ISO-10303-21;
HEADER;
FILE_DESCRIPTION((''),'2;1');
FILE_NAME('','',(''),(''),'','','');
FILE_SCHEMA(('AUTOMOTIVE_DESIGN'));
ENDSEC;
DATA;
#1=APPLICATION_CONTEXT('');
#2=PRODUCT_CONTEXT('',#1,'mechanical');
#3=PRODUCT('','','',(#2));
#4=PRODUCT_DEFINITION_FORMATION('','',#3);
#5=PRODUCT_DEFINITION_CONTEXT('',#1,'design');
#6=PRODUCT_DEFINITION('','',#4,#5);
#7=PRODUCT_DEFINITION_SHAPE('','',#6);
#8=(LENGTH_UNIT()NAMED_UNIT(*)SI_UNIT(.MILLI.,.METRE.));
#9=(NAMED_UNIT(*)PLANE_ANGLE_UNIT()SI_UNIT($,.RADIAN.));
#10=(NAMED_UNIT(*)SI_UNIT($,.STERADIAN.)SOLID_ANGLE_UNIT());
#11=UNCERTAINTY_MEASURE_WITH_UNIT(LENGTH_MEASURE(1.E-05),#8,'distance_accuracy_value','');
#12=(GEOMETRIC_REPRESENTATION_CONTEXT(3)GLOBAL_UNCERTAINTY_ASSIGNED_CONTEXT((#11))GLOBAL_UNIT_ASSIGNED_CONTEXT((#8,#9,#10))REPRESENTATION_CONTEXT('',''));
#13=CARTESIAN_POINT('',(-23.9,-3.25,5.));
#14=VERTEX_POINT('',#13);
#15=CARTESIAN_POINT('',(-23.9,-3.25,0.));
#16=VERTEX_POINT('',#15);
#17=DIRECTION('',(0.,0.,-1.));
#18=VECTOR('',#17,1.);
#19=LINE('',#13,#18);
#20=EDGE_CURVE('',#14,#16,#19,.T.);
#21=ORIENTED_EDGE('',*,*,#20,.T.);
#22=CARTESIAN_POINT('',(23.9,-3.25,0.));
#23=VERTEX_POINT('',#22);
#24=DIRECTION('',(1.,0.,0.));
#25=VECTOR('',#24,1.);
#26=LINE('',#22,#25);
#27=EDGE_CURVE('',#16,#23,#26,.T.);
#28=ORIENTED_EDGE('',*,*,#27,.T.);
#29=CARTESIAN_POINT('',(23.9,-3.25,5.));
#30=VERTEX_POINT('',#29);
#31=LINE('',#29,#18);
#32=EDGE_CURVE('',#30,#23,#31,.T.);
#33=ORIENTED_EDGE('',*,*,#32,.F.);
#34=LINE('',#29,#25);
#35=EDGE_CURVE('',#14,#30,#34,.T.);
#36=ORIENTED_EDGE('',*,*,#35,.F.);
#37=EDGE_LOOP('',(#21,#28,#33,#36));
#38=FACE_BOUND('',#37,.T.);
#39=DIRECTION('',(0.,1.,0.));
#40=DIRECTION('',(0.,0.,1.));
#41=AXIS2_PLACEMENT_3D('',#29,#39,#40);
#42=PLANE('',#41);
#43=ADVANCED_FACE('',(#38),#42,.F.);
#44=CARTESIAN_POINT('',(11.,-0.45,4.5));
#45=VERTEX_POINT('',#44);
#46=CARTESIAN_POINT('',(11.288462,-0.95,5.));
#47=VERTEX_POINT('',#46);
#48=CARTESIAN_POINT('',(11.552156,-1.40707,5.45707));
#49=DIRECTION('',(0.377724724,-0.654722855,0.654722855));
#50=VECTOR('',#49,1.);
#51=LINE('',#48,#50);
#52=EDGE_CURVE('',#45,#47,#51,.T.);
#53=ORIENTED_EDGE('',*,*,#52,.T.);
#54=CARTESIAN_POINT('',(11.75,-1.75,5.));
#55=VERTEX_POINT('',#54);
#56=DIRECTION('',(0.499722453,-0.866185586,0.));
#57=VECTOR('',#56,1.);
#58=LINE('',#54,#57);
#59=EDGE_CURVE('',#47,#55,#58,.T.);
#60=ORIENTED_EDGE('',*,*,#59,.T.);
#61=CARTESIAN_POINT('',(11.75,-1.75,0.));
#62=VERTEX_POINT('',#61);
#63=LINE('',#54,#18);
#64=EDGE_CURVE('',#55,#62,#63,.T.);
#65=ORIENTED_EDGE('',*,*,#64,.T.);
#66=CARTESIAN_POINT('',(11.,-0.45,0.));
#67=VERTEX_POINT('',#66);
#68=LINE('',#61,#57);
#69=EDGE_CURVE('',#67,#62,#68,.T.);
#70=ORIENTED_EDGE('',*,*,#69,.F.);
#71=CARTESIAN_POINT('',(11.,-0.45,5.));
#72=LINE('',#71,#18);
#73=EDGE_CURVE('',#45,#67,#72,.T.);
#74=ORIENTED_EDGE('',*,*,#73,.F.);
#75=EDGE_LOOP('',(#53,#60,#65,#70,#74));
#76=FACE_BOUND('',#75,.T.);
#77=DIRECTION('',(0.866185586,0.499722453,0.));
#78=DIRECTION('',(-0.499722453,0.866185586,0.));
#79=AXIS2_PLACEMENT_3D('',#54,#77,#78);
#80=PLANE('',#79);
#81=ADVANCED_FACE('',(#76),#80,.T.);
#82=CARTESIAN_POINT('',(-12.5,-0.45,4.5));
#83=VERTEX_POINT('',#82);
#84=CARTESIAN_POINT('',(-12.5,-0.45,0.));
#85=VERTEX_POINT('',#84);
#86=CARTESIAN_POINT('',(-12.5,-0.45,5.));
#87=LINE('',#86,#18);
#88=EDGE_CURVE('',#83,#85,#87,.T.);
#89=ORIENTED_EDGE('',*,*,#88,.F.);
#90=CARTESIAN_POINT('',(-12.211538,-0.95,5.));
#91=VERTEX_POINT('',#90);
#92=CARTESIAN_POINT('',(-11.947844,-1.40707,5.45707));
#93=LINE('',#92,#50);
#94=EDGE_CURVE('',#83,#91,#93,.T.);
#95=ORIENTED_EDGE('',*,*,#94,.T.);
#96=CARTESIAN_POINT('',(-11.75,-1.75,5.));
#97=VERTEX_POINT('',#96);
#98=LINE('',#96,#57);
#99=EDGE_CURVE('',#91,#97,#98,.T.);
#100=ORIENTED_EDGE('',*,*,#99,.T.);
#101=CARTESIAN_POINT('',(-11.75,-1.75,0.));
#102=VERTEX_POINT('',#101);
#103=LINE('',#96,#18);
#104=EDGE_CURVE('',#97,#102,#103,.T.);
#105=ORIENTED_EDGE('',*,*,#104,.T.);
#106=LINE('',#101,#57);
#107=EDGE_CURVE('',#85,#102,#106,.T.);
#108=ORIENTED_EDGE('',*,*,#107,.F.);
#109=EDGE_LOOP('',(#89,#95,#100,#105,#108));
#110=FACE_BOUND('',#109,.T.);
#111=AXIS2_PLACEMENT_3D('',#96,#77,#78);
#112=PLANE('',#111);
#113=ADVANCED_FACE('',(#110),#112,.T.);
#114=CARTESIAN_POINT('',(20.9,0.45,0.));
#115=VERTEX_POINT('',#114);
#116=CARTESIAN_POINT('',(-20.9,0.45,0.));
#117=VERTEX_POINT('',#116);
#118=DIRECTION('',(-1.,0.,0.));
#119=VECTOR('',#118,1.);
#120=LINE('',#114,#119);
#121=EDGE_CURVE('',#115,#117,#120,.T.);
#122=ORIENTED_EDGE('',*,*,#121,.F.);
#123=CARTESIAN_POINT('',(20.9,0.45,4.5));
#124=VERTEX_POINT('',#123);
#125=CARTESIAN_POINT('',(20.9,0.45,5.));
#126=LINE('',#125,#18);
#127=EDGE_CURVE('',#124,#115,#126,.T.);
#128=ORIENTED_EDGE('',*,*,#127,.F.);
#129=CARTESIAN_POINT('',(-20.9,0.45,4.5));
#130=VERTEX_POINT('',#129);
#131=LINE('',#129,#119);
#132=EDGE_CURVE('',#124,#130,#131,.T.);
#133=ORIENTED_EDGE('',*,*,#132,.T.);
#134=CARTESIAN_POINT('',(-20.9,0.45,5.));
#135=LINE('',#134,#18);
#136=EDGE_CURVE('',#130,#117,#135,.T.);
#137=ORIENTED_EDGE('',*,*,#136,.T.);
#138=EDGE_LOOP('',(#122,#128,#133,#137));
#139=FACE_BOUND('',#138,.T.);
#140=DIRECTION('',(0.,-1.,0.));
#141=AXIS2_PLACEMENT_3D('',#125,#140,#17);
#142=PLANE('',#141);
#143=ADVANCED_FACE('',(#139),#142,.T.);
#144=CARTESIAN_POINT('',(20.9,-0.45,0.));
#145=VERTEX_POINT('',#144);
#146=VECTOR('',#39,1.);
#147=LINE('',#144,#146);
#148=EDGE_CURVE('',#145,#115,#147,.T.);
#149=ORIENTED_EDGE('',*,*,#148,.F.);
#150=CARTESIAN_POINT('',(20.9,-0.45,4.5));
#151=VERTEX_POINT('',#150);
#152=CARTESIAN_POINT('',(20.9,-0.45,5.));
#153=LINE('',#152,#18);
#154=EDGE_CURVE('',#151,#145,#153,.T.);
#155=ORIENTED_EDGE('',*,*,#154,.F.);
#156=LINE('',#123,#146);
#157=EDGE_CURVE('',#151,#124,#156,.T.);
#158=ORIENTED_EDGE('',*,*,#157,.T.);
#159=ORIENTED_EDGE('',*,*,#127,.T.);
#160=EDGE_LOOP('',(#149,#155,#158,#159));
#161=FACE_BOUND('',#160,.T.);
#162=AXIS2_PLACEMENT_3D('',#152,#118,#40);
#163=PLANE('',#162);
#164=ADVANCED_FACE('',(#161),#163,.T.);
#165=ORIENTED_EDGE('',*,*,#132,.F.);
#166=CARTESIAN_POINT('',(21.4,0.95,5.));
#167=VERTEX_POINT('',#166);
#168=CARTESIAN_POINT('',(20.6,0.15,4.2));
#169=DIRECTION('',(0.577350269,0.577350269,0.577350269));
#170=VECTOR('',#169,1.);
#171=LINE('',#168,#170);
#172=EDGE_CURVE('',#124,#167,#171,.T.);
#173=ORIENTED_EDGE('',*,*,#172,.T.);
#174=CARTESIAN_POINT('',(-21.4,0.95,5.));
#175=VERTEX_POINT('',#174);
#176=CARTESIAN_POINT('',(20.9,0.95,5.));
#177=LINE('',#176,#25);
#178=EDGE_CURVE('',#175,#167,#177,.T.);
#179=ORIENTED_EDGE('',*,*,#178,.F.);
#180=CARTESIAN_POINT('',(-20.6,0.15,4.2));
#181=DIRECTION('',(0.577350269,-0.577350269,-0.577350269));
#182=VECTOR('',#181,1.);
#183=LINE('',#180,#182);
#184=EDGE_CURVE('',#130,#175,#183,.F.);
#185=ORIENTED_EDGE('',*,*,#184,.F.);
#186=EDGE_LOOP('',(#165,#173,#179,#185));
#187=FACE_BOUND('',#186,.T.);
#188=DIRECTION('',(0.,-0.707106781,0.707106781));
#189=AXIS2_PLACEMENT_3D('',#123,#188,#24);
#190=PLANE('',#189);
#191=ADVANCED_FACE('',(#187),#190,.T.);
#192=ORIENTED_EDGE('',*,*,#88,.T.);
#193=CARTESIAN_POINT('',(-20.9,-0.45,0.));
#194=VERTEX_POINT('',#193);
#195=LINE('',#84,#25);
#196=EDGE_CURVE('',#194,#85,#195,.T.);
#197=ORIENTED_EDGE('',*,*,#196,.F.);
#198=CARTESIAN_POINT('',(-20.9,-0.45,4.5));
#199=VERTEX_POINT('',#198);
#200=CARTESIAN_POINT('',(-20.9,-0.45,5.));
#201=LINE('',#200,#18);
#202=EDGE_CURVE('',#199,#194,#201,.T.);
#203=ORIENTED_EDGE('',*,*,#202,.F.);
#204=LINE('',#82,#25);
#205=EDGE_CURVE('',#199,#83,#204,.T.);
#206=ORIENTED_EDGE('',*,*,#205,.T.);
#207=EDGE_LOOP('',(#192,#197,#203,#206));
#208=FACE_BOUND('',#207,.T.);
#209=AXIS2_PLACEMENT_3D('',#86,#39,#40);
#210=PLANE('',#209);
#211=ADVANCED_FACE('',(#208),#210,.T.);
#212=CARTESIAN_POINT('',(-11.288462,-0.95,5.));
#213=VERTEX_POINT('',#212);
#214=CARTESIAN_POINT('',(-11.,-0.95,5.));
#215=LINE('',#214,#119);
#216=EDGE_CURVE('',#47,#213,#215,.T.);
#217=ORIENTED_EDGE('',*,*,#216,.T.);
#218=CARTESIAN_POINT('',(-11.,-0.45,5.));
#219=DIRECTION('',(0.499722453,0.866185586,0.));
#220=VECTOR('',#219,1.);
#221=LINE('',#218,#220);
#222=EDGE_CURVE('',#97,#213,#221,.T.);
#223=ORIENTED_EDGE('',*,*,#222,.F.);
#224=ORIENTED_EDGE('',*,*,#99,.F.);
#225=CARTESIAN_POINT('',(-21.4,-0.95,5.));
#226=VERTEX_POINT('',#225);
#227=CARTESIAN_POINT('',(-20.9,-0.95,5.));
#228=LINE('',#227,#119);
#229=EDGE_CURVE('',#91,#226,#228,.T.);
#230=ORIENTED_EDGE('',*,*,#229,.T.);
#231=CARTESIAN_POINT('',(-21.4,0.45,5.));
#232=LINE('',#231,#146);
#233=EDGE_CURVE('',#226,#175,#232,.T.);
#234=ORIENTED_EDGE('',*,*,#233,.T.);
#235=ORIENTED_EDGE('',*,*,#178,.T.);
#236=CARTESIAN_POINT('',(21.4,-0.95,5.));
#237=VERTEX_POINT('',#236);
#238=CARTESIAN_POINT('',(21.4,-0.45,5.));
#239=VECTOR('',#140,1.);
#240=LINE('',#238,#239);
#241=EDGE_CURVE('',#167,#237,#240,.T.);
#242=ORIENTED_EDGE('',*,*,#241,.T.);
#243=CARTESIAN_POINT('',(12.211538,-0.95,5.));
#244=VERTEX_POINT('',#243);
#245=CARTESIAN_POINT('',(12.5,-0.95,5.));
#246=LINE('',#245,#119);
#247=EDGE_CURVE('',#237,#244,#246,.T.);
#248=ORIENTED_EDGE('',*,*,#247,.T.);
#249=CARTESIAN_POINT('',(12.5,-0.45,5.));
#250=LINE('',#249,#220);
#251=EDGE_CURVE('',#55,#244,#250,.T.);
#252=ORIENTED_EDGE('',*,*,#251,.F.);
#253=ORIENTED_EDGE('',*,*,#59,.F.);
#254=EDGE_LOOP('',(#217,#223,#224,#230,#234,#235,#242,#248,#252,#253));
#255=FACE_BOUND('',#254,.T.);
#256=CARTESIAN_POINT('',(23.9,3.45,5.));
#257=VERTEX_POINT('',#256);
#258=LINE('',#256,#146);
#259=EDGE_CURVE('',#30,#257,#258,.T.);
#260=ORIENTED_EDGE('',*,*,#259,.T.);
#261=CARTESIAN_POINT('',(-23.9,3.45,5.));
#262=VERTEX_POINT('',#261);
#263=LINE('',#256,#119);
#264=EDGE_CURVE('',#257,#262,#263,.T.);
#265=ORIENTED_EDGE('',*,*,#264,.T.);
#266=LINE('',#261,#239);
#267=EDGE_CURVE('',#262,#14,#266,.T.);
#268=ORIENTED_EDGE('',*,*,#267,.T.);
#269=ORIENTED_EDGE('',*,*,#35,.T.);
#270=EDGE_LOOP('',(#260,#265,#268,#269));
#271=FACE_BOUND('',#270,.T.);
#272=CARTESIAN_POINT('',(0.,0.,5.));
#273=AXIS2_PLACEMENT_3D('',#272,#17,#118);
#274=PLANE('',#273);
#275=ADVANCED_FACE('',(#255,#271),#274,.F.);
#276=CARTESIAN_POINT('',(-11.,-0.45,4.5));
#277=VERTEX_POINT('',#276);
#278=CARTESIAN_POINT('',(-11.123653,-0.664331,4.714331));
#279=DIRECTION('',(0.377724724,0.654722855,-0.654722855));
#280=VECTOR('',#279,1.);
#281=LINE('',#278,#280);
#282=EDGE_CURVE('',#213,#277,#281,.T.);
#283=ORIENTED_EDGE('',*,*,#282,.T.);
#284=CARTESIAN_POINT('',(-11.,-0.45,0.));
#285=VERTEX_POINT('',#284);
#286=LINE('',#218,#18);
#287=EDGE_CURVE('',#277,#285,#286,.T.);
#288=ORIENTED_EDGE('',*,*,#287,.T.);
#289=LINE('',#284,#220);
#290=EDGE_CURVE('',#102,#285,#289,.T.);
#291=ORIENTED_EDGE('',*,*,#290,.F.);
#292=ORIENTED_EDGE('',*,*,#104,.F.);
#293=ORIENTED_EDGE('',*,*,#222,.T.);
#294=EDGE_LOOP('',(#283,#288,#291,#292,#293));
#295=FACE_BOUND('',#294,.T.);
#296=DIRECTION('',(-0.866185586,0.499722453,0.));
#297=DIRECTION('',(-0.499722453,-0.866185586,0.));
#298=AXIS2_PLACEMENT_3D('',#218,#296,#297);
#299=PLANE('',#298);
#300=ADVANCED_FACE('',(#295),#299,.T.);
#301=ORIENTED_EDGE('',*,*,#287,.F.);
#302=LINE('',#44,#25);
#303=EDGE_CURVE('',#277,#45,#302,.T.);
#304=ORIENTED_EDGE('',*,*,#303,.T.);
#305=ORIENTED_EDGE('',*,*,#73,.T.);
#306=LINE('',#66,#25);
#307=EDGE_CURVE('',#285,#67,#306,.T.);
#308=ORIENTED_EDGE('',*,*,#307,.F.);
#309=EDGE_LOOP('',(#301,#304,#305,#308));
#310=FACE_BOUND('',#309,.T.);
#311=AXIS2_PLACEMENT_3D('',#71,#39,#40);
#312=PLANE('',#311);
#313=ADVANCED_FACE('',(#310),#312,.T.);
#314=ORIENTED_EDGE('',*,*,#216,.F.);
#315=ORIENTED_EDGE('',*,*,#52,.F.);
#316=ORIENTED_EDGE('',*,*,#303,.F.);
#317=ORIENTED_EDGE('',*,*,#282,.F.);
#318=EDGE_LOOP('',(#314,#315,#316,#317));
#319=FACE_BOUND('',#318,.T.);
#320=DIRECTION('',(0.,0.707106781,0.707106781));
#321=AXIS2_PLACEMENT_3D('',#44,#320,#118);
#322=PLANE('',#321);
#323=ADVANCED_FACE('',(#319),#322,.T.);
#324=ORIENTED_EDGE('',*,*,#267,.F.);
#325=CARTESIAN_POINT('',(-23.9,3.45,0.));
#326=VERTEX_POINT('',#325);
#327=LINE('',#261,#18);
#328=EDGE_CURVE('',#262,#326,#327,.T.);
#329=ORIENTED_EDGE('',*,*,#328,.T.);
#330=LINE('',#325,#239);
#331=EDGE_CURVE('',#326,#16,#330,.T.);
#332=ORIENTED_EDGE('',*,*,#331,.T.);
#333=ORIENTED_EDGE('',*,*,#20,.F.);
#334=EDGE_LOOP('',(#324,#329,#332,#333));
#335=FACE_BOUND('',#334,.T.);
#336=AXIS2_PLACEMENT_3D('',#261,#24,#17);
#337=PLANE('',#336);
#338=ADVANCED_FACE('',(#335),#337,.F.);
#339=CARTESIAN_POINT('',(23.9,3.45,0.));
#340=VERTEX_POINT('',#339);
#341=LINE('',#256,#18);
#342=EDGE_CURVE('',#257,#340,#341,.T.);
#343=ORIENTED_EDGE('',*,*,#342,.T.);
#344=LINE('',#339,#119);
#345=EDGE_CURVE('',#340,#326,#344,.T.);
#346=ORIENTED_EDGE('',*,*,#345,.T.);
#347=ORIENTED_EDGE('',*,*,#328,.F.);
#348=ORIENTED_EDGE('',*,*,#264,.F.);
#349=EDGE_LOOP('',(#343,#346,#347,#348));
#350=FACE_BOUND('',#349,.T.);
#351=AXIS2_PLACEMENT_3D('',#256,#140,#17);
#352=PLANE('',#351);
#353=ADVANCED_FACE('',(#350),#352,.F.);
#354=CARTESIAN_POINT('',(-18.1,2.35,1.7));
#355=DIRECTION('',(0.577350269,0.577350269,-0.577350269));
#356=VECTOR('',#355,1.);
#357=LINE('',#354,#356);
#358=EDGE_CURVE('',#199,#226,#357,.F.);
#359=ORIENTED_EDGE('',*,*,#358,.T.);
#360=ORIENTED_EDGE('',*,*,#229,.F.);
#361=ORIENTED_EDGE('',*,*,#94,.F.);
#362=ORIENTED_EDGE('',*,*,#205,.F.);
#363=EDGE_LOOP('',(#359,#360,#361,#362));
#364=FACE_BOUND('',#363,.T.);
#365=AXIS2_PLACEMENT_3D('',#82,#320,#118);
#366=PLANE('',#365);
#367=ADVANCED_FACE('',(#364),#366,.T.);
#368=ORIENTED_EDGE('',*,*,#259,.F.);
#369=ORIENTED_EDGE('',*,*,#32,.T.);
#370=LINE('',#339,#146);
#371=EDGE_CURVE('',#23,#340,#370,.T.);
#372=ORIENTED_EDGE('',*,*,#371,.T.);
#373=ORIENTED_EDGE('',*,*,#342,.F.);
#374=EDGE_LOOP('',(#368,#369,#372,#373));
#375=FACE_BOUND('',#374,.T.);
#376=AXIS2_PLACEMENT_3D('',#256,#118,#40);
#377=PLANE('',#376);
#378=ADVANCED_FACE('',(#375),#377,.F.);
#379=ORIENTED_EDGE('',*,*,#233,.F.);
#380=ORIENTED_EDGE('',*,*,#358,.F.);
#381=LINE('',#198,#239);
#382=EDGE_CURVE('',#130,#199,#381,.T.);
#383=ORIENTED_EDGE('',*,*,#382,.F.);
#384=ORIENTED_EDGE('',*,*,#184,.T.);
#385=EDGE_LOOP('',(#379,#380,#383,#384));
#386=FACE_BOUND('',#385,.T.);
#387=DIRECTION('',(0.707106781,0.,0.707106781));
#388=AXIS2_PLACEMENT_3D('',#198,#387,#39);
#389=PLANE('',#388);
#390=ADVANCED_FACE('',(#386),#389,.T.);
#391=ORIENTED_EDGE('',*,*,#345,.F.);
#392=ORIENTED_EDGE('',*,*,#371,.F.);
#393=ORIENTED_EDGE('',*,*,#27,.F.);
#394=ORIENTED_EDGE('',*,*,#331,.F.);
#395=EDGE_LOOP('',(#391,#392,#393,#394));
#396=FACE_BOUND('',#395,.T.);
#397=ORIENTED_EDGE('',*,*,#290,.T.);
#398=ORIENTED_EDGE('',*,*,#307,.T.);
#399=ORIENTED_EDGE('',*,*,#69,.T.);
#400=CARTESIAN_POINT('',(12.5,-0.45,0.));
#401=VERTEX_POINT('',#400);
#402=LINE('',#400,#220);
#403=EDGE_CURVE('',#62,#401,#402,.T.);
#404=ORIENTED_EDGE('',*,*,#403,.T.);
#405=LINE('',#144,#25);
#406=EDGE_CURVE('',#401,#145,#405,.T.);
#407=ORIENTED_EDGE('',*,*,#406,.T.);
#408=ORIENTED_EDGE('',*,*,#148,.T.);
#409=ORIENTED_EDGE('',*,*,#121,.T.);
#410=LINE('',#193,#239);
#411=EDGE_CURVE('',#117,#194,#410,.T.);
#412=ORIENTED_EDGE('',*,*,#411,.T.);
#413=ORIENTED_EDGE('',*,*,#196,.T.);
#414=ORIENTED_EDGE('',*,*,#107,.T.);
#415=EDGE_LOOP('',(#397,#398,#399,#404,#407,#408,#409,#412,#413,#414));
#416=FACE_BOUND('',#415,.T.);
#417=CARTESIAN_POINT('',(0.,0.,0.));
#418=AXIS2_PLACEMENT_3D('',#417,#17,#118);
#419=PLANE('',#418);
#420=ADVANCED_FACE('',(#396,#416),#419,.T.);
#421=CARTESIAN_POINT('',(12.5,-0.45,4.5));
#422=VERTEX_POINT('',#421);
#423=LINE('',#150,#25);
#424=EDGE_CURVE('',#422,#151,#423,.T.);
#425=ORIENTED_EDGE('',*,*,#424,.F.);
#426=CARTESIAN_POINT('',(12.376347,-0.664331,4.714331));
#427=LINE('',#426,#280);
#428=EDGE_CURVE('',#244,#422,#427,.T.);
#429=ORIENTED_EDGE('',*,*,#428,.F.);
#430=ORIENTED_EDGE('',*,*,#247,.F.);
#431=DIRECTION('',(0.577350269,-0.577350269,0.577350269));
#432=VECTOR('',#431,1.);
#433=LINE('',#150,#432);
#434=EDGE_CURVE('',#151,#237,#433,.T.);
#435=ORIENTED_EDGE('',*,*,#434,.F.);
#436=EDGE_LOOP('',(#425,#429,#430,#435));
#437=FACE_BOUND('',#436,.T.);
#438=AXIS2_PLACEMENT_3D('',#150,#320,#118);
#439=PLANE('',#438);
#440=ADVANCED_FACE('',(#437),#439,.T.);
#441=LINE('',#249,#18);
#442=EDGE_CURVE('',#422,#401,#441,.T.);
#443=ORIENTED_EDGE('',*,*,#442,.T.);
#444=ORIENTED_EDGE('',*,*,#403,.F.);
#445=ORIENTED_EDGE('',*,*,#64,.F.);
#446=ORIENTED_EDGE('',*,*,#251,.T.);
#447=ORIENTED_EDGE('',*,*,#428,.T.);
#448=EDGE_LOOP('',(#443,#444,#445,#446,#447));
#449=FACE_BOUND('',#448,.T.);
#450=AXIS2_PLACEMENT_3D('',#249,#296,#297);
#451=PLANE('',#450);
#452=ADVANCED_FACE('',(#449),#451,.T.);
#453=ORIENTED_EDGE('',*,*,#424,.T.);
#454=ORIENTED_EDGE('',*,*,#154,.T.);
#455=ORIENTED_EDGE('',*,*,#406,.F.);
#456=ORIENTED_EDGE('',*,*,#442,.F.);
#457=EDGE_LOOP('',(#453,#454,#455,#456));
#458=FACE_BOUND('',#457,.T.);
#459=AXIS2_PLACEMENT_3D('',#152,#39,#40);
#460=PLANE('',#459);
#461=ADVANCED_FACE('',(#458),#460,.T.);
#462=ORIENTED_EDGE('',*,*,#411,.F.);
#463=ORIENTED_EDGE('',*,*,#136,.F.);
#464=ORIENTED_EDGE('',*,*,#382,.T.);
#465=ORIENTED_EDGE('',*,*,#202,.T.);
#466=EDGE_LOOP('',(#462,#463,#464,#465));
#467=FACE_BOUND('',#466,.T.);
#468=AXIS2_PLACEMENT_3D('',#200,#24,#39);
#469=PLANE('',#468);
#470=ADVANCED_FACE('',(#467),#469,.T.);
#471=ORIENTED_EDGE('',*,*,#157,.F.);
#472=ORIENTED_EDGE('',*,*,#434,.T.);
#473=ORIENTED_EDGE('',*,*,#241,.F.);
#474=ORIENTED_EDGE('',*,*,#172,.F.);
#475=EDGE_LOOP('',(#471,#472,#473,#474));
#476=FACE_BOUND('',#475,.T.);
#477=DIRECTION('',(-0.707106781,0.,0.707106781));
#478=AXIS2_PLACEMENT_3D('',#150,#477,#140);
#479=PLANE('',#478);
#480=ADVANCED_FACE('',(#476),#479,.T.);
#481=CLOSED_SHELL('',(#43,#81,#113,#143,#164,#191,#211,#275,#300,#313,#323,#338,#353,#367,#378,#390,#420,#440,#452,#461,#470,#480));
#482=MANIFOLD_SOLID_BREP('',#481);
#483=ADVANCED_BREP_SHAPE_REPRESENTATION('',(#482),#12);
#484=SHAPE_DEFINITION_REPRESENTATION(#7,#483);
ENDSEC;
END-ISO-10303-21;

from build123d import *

# Parameters (mm, degrees)
SKETCH_1_W      = 47.8
SKETCH_1_H      = 6.7
EXTRUDE_1_DEPTH = 5
CHAMFER_1_SIZE  = 0.5


with BuildPart() as part:
    # Эскиз1 → Бобышка-Вытянуть1 (new body)
    with BuildSketch(Plane(origin=(0, 66.754264805, 0), x_dir=(-1, 0, 0), z_dir=(0, 0, 1))):
        with Locations((0, 66.654264805)):
            Rectangle(SKETCH_1_W, SKETCH_1_H)
        Polygon((-20.9, 67.204264805), (-20.9, 66.304264805), (20.9, 66.304264805), (20.9, 67.204264805), (12.5, 67.204264805), (11.75, 68.504264805), (11, 67.204264805), (-11, 67.204264805), (-11.75, 68.504264805), (-12.5, 67.204264805), align=None, mode=Mode.SUBTRACT)
    extrude(amount=EXTRUDE_1_DEPTH)

    # Фаска1
    chamfer_1_edges = [part.edges().sort_by_distance(p)[0] for p in [
        (16.7, -0.45, 5),
        (20.9, 0, 5),
        (0, 0.45, 5),
        (-20.9, 0, 5),
        (-16.7, -0.45, 5),
        (0, -0.45, 5),
    ]]
    chamfer(chamfer_1_edges, length=CHAMFER_1_SIZE)


solid = part.part
